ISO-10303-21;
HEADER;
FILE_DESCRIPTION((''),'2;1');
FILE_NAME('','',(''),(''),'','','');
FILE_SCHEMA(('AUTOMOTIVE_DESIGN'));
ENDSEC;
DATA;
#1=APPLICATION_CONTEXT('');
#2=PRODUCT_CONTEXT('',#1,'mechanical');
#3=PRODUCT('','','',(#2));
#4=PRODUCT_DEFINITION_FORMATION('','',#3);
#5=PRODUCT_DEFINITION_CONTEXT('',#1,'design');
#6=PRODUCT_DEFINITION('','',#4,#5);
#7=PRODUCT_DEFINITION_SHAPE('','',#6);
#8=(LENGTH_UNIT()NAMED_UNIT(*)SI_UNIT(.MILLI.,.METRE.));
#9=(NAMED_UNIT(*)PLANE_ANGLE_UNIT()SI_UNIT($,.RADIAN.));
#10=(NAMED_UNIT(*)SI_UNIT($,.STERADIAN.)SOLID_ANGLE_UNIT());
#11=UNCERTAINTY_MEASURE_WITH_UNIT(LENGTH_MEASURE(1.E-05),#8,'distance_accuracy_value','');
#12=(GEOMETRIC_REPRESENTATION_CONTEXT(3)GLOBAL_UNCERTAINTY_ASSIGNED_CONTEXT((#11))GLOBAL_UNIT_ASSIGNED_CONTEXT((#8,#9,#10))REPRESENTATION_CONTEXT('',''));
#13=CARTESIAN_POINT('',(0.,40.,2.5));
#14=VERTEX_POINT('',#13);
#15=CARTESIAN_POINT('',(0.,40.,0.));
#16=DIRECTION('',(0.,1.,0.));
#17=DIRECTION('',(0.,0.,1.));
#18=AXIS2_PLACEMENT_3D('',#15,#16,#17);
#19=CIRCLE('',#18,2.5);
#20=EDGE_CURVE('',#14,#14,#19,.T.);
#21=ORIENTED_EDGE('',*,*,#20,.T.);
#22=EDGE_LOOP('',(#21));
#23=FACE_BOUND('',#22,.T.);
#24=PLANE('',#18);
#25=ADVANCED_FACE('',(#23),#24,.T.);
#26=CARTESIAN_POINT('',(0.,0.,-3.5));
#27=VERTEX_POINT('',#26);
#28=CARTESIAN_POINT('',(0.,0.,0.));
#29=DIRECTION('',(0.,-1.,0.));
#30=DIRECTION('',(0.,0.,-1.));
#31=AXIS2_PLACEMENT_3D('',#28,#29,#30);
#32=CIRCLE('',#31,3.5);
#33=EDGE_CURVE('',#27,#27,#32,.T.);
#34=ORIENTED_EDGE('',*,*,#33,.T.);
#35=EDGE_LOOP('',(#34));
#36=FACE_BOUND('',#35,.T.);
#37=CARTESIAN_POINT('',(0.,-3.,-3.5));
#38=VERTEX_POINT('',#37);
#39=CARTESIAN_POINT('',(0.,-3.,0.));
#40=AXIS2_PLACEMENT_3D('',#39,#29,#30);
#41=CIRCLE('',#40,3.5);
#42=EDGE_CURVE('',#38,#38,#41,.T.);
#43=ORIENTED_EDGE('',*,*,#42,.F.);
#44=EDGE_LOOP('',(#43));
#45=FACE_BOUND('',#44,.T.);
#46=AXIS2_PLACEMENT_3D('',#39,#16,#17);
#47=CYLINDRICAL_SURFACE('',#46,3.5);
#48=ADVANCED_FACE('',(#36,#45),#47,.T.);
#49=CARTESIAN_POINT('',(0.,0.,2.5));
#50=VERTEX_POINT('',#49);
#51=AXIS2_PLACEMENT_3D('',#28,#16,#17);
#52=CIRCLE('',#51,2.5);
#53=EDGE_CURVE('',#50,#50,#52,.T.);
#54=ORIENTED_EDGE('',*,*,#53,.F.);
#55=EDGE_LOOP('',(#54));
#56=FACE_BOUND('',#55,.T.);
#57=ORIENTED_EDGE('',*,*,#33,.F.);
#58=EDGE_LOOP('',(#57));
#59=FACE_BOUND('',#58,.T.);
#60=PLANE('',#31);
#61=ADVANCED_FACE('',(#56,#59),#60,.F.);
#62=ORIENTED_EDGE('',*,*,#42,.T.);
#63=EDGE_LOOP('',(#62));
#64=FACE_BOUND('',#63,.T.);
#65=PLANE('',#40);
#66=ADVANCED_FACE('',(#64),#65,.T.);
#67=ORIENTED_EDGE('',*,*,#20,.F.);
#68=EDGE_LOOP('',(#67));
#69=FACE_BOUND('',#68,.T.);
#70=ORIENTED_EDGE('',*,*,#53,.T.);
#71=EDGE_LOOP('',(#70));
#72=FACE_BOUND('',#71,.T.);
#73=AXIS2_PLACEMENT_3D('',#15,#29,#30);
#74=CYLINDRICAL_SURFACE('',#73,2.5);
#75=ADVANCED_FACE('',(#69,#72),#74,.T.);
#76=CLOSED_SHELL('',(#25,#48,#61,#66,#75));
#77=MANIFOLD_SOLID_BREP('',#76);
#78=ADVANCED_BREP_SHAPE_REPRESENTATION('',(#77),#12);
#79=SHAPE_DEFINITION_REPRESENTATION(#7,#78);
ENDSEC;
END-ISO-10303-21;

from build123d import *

# Parameters (mm, degrees)
SKETCH2_R           = 2.5
BOSS_EXTRUDE2_DEPTH = 40
SKETCH3_R           = 3.5
BOSS_EXTRUDE3_DEPTH = 3


with BuildPart() as part:
    # Sketch2 → Boss-Extrude2 (new body)
    with BuildSketch(Plane(origin=(0, 0, 0), x_dir=(1, 0, 0), z_dir=(0, 1, 0))):
        with Locations(Location((0, 0, 0), (0, 0, 270))):
            Circle(SKETCH2_R)
    extrude(amount=BOSS_EXTRUDE2_DEPTH)

    # Sketch3 → Boss-Extrude3 (add)
    with BuildSketch(Plane(origin=(0, 0, 0), x_dir=(-1, 0, 0), z_dir=(0, -1, 0))):
        with Locations(Location((0, 0, 0), (0, 0, 90))):
            Circle(SKETCH3_R)
    extrude(amount=BOSS_EXTRUDE3_DEPTH)


solid = part.part
